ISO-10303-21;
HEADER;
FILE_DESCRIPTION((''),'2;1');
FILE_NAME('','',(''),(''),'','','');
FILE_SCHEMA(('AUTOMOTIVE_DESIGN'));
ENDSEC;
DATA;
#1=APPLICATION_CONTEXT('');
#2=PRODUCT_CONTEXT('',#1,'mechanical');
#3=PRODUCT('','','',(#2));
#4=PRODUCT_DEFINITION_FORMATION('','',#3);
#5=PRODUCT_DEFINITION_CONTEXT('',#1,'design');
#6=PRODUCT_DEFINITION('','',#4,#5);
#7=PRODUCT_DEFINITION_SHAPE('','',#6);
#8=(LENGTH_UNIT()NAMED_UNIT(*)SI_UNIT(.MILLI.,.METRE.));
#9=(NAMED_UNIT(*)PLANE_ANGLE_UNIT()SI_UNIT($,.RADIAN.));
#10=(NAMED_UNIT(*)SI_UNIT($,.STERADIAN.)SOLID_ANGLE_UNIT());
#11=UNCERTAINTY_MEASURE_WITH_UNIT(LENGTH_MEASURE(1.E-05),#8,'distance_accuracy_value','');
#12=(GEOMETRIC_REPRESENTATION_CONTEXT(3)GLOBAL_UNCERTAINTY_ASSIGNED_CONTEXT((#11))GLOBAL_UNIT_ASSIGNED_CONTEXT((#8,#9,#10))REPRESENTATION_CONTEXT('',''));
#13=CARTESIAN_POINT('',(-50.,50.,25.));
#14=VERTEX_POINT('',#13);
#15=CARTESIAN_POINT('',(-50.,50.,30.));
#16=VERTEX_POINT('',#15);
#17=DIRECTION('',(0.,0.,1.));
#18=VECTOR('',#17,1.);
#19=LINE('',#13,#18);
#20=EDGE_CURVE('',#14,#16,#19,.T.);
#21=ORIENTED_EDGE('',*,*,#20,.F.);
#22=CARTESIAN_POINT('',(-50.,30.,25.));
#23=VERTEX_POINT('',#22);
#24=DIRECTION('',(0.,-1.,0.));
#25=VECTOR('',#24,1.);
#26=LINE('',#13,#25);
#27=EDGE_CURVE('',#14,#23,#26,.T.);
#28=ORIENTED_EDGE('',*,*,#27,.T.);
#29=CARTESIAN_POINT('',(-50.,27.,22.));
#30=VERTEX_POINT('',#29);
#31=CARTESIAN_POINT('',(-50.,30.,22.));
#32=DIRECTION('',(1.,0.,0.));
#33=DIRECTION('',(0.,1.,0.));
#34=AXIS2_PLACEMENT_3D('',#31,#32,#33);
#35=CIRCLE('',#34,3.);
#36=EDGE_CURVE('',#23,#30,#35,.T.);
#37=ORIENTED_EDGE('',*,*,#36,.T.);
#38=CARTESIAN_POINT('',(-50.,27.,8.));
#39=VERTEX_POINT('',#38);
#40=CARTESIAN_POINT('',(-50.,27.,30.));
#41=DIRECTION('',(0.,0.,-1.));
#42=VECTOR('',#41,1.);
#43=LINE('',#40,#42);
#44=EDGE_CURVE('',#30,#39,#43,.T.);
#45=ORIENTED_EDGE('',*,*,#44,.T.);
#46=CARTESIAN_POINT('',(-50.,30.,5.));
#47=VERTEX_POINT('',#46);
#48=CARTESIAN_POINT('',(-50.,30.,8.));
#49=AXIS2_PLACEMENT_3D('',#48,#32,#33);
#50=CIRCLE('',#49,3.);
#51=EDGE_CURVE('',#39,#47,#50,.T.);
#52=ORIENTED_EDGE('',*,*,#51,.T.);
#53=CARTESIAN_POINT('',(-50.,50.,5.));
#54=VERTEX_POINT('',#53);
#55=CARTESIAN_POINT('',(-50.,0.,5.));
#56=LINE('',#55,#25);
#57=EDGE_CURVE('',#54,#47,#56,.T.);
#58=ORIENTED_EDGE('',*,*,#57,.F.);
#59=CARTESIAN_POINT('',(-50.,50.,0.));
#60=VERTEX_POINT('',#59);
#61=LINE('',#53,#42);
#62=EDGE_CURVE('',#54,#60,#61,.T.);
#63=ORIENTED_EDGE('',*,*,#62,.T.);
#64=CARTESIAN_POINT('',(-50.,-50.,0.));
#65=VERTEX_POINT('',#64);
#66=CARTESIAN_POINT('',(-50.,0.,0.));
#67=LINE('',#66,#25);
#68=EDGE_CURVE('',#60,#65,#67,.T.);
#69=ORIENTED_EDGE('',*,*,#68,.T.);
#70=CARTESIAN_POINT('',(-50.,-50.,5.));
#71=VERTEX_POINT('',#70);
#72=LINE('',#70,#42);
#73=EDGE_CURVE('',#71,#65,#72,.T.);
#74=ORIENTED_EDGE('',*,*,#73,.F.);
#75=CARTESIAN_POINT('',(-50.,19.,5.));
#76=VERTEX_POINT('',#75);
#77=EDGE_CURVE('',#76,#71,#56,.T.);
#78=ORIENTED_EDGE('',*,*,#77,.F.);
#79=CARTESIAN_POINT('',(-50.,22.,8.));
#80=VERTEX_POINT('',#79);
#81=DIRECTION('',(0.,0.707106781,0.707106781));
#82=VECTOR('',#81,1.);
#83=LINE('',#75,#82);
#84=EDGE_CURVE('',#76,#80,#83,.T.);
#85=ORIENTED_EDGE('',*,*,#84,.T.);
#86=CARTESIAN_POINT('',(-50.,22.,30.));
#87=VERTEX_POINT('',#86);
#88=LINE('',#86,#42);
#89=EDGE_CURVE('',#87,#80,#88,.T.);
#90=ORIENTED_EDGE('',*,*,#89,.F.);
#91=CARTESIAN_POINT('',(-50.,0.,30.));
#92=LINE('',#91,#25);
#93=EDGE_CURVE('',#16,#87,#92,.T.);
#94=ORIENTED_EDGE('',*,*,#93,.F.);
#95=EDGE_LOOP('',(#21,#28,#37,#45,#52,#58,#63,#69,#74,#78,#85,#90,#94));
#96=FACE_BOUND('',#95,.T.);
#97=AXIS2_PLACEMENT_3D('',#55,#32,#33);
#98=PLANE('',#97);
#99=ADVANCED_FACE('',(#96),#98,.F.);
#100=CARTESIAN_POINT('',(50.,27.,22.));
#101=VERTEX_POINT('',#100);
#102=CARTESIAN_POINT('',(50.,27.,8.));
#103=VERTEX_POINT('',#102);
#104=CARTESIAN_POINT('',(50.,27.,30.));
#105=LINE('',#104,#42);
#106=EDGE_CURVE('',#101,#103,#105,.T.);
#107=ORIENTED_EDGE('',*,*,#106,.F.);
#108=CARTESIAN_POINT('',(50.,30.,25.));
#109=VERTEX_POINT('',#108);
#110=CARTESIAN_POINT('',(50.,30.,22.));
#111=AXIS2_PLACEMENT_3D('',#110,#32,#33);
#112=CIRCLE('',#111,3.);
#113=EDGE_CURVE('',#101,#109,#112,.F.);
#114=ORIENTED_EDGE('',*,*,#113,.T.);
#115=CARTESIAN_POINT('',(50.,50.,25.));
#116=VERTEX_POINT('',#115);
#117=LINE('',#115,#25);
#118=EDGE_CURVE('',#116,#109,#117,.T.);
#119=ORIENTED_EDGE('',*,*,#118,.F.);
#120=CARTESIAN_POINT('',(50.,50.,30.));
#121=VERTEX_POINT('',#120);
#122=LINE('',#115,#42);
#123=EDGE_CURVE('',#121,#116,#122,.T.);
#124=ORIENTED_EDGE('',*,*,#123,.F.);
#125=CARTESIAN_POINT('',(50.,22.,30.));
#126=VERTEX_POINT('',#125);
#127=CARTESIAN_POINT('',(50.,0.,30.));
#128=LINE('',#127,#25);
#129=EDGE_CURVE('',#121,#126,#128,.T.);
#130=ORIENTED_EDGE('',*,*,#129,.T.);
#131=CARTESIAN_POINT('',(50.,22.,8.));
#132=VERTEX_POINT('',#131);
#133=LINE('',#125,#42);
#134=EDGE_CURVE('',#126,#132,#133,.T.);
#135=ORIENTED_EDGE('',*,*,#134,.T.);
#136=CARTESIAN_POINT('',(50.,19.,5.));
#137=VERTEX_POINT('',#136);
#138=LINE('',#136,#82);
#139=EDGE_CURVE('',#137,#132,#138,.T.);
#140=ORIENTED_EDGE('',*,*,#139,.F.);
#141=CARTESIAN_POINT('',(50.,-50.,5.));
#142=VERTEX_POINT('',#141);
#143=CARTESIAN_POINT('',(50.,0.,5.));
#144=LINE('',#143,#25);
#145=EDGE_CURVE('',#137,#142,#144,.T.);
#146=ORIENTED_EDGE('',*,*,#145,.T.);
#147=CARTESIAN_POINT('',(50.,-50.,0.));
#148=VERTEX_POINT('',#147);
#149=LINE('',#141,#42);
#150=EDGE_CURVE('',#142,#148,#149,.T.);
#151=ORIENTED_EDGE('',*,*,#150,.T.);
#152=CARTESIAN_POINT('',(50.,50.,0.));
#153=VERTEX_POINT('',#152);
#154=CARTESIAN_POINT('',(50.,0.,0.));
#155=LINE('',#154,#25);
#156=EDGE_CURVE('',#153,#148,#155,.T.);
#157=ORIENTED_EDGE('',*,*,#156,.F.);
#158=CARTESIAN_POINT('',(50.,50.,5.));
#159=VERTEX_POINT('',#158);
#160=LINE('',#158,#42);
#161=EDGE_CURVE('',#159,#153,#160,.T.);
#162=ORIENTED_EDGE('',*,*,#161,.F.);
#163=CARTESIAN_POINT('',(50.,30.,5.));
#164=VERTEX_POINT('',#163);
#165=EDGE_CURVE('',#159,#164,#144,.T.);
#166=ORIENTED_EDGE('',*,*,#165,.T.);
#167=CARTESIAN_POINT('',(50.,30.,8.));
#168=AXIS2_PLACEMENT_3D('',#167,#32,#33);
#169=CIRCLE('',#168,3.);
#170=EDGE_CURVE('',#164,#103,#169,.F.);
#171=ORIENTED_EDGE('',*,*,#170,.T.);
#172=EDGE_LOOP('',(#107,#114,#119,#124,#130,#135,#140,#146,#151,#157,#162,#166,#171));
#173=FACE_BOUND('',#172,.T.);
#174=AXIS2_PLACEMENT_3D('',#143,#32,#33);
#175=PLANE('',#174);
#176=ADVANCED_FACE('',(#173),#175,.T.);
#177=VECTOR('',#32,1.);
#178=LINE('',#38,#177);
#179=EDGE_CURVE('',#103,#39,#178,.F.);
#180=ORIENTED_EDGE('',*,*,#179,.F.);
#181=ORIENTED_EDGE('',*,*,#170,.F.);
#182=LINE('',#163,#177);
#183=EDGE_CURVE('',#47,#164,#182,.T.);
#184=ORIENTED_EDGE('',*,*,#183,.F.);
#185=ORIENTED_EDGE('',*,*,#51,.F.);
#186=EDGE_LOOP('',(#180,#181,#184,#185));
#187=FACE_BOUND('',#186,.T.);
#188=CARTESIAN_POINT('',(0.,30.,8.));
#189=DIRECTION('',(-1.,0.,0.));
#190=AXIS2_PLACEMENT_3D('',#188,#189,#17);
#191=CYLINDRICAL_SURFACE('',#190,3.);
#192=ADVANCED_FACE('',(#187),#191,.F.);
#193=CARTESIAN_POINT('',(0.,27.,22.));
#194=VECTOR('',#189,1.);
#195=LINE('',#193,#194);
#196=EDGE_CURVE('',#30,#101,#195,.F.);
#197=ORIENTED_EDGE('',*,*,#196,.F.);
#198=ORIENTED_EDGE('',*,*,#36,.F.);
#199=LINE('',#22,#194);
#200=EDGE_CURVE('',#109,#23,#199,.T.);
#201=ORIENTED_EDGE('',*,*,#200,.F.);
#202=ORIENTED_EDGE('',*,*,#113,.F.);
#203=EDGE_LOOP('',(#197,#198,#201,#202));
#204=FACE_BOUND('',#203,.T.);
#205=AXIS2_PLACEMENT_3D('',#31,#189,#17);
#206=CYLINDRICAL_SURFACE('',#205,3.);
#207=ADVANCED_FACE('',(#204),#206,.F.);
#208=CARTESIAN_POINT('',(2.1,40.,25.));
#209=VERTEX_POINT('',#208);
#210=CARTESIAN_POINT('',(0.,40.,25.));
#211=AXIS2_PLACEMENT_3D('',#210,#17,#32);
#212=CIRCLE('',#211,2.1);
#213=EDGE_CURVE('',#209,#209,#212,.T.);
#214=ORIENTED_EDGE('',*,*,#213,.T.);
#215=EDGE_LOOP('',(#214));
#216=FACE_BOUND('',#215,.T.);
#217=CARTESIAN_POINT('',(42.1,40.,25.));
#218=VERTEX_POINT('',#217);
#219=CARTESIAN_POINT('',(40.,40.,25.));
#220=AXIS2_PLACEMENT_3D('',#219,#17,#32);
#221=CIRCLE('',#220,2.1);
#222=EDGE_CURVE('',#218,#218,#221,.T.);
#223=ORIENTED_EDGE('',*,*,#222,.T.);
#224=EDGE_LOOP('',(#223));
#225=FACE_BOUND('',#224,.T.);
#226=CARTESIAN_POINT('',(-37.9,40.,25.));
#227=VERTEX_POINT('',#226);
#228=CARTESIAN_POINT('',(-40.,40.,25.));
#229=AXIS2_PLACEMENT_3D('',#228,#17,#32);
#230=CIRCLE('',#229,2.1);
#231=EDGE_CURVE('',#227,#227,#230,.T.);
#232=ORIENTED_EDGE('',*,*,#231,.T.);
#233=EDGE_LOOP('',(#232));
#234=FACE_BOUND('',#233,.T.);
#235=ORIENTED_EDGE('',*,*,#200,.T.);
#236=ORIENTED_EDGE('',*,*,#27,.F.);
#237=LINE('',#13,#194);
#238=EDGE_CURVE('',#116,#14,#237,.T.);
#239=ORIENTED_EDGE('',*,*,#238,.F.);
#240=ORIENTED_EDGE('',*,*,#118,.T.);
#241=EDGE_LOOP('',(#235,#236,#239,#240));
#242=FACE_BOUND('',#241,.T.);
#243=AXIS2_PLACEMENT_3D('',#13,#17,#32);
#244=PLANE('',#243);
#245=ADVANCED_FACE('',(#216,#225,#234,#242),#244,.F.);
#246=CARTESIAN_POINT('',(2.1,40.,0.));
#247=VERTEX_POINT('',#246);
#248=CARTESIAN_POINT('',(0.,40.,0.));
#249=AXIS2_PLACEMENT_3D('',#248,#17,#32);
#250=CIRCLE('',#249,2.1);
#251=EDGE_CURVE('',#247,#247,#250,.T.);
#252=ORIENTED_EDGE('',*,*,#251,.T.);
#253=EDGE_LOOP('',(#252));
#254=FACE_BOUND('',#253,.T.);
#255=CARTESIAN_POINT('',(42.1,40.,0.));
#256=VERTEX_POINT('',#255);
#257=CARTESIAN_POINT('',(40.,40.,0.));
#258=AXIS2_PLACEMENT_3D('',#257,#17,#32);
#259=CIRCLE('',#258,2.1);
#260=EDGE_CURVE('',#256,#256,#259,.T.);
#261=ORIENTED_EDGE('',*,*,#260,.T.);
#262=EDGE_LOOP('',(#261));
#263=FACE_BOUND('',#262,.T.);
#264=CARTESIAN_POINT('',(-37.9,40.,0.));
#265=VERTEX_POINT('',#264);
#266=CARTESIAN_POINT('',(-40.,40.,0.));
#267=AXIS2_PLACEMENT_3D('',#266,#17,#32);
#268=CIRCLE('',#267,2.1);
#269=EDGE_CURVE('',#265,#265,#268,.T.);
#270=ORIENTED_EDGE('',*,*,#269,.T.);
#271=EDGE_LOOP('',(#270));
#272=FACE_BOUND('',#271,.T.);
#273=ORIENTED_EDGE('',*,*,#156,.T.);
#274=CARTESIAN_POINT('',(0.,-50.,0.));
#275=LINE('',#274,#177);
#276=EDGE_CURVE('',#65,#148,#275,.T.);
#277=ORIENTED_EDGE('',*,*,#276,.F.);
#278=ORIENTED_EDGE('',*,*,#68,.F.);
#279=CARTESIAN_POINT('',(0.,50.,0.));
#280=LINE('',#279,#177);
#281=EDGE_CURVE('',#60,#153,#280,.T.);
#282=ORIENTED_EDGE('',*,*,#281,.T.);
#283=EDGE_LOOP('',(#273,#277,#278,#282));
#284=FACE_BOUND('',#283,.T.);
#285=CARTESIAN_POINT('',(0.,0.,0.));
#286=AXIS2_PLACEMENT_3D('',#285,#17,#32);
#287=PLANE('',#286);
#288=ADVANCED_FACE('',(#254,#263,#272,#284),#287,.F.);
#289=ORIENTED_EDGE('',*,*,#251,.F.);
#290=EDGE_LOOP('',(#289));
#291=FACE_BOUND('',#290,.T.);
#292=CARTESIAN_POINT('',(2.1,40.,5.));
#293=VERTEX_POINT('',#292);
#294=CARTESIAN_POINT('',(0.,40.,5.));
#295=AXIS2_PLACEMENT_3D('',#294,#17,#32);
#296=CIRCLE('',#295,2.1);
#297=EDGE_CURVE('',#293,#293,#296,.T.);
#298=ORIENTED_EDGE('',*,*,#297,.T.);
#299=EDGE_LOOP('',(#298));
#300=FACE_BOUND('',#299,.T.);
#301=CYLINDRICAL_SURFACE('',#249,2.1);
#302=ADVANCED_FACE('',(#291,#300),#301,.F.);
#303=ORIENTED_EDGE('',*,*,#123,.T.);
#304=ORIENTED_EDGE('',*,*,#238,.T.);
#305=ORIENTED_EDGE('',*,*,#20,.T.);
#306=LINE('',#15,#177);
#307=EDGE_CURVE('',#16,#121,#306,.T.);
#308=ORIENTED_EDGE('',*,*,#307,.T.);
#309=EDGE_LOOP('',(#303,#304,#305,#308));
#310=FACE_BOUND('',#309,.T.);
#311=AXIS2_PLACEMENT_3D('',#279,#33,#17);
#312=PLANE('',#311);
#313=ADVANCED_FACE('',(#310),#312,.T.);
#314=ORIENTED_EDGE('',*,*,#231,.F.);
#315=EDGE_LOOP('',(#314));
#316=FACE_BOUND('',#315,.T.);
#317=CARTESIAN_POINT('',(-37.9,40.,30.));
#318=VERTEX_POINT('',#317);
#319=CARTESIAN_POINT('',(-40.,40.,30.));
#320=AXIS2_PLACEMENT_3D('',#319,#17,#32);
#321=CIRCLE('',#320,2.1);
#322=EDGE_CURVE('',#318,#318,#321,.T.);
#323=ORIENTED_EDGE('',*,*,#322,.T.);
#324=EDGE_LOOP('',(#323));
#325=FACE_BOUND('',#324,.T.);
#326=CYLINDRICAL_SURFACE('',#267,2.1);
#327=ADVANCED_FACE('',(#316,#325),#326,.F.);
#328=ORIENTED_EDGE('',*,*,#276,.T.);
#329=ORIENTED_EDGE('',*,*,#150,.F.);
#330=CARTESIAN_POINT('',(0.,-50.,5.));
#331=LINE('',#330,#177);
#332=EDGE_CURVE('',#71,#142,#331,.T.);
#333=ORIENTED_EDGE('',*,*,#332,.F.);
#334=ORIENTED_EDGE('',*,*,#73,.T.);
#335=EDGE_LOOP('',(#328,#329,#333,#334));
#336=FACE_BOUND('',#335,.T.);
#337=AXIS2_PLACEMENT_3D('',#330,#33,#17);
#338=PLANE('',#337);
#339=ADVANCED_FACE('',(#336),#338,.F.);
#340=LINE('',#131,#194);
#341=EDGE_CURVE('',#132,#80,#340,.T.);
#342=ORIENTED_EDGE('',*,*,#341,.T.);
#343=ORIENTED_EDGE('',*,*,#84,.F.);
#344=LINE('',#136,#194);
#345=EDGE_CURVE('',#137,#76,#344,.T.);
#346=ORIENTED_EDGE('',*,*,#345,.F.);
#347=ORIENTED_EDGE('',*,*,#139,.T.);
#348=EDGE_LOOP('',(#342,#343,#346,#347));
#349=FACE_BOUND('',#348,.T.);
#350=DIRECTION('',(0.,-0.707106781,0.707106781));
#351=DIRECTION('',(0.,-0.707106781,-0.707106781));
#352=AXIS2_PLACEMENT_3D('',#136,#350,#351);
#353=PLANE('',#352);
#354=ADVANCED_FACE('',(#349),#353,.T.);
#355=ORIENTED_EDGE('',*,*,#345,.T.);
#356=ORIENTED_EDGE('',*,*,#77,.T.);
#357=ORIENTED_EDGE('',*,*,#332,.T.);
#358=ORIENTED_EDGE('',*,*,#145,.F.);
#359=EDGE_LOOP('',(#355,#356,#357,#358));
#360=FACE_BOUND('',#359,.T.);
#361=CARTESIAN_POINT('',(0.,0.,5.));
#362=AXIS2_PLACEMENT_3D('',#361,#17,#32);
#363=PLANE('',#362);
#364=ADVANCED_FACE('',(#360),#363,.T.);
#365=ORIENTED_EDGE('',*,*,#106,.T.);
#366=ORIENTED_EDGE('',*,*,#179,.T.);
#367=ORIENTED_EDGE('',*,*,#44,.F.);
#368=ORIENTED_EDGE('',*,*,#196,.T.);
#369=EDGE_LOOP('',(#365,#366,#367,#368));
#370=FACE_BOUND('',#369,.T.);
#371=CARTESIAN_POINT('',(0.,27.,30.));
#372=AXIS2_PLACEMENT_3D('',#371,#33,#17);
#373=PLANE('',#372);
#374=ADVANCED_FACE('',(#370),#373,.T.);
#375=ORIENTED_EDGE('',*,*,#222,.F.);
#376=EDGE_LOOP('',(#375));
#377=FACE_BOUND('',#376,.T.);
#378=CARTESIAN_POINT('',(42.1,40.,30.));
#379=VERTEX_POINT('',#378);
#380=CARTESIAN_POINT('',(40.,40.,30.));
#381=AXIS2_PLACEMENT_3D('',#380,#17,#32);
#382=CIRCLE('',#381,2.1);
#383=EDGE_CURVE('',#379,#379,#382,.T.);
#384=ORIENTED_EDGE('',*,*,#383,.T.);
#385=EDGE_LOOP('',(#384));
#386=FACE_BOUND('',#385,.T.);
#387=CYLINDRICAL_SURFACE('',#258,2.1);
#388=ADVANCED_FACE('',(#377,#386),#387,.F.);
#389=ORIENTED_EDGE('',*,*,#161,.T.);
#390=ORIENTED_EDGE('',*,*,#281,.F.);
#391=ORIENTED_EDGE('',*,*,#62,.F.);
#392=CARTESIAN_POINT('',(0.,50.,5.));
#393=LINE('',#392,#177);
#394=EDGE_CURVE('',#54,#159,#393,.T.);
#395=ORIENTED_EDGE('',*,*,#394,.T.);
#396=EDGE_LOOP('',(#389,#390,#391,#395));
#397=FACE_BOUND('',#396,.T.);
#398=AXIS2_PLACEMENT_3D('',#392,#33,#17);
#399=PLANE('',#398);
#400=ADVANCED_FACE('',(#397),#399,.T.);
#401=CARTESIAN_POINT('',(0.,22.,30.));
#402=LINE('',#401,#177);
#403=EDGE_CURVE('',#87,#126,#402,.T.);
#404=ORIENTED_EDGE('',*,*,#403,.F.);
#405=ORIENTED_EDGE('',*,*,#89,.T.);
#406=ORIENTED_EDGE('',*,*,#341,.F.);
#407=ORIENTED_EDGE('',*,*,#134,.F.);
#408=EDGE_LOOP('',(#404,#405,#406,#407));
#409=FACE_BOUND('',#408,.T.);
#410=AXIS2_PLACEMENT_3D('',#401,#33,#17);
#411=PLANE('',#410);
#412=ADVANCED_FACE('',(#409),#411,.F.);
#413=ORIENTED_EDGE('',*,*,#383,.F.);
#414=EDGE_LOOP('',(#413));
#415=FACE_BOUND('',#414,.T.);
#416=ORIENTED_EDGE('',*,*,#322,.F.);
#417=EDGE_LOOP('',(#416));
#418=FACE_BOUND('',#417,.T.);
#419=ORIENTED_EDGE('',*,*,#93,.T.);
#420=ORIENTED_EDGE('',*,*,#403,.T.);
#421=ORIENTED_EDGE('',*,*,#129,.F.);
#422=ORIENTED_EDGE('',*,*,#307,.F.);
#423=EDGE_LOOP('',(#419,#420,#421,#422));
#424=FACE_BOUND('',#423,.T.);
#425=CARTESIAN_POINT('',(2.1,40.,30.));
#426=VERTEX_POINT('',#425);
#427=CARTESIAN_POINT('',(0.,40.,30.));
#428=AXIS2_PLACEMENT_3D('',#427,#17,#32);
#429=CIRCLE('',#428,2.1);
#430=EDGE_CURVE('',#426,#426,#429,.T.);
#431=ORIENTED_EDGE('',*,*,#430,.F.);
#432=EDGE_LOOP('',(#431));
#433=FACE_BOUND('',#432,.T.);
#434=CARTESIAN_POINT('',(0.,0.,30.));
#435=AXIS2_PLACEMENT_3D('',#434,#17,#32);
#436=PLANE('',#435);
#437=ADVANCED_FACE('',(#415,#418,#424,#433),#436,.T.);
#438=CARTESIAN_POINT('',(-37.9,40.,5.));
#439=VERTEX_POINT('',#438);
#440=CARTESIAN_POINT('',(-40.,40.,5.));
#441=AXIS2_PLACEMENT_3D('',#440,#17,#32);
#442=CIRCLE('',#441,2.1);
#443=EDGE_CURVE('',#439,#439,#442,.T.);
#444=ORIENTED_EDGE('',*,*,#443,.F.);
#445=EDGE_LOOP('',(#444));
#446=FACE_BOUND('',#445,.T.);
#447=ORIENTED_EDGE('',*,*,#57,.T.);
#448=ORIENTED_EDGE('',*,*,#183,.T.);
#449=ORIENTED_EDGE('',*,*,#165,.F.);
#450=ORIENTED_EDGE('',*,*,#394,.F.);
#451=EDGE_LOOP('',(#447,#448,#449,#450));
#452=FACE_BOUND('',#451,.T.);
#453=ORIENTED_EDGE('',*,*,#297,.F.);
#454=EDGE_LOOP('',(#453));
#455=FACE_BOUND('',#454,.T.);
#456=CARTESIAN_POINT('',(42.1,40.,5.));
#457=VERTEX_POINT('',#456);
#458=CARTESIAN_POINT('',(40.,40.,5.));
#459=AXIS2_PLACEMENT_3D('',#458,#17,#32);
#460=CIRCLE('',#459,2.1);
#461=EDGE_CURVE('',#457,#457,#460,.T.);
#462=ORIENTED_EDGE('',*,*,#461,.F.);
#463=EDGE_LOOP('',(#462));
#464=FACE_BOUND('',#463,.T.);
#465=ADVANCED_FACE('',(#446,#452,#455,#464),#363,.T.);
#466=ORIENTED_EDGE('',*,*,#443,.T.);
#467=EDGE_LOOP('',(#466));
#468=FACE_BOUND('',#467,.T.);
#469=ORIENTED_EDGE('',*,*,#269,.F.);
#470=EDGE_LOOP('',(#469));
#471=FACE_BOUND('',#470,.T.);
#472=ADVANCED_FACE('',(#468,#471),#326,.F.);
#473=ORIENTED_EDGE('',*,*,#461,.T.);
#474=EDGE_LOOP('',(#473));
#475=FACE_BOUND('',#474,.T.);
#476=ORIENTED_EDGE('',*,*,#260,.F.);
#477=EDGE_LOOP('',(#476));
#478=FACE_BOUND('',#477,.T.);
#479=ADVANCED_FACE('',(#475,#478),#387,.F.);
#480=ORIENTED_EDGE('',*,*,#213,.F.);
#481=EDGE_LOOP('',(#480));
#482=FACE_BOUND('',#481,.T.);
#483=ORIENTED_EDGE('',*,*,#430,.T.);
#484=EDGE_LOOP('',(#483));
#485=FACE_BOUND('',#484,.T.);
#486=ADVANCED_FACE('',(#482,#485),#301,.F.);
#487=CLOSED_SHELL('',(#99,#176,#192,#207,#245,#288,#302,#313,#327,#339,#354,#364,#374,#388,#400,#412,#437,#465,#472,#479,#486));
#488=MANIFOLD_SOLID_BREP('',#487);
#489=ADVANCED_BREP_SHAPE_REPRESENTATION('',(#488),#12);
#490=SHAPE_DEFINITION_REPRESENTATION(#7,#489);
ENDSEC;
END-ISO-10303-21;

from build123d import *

# Parameters (mm, degrees)
SKETCH_1_W          = 100
SKETCH_1_H          = 72
EXTRUDE_1_DEPTH     = 5
SKETCH_1_H_2        = 23
EXTRUDE_1_2_DEPTH   = 5
SKETCH_1_3_W        = 100
SKETCH_1_3_H        = 5
EXTRUDE_2_DEPTH     = 30
SKETCH_2_W          = 100
SKETCH_2_H          = 5
EXTRUDE_3_DEPTH     = 23
SKETCH_3_R          = 2.1
CUT_EXTRUDE_1_DEPTH = 77.811457479
FILLET_1_R          = 3
EXTRUDE_4_DEPTH     = 100


with BuildPart() as part:
    # 草图1 → 凸台-拉伸1 (new body)
    with BuildSketch(Plane.XY):
        with Locations((0, -14)):
            Rectangle(SKETCH_1_W, SKETCH_1_H)
    extrude(amount=EXTRUDE_1_DEPTH)



with BuildPart() as body_2:
    # 草图1 → Extrude 1 2 (new body)
    with BuildSketch(Plane.XY):
        with Locations((0, 38.5)):
            Rectangle(SKETCH_1_W, SKETCH_1_H_2)
    extrude(amount=EXTRUDE_1_2_DEPTH)


with BuildPart() as part_1:
    add(part.part)

    add(body_2.part)  # 凸台-拉伸2 merges body 2
    # 草图1<3> → 凸台-拉伸2 (add)
    with BuildSketch(Plane.XY):
        with Locations((0, 24.5)):
            Rectangle(SKETCH_1_3_W, SKETCH_1_3_H)
    extrude(amount=EXTRUDE_2_DEPTH)

    # 草图2 → 凸台-拉伸3 (add)
    with BuildSketch(Plane(origin=(0, 27, 0), x_dir=(1, 0, 0), z_dir=(0, 1, 0))):
        with Locations((0, -27.5)):
            Rectangle(SKETCH_2_W, SKETCH_2_H)
    extrude(amount=EXTRUDE_3_DEPTH)

    # 草图3 → 切除-拉伸1 (cut, through all)
    with BuildSketch(Plane.XY.offset(30)):
        with Locations((-40, 40)):
            Circle(SKETCH_3_R)
        with Locations((0, 40)):
            Circle(SKETCH_3_R)
        with Locations((40, 40)):
            Circle(SKETCH_3_R)
    extrude(amount=-CUT_EXTRUDE_1_DEPTH, mode=Mode.SUBTRACT)

    # 圆角1
    fillet_1_edges = [part_1.edges().sort_by_distance(p)[0] for p in [
        (0, 27, 5),
        (0, 27, 25),
    ]]
    fillet(fillet_1_edges, radius=FILLET_1_R)

    # 草图8 → 凸台-拉伸4 (add, through all)
    with BuildSketch(Plane.ZY.offset(50)):
        Polygon((5, 19), (8, 22), (5, 22), align=None)
    extrude(amount=-EXTRUDE_4_DEPTH)


solid = part_1.part
